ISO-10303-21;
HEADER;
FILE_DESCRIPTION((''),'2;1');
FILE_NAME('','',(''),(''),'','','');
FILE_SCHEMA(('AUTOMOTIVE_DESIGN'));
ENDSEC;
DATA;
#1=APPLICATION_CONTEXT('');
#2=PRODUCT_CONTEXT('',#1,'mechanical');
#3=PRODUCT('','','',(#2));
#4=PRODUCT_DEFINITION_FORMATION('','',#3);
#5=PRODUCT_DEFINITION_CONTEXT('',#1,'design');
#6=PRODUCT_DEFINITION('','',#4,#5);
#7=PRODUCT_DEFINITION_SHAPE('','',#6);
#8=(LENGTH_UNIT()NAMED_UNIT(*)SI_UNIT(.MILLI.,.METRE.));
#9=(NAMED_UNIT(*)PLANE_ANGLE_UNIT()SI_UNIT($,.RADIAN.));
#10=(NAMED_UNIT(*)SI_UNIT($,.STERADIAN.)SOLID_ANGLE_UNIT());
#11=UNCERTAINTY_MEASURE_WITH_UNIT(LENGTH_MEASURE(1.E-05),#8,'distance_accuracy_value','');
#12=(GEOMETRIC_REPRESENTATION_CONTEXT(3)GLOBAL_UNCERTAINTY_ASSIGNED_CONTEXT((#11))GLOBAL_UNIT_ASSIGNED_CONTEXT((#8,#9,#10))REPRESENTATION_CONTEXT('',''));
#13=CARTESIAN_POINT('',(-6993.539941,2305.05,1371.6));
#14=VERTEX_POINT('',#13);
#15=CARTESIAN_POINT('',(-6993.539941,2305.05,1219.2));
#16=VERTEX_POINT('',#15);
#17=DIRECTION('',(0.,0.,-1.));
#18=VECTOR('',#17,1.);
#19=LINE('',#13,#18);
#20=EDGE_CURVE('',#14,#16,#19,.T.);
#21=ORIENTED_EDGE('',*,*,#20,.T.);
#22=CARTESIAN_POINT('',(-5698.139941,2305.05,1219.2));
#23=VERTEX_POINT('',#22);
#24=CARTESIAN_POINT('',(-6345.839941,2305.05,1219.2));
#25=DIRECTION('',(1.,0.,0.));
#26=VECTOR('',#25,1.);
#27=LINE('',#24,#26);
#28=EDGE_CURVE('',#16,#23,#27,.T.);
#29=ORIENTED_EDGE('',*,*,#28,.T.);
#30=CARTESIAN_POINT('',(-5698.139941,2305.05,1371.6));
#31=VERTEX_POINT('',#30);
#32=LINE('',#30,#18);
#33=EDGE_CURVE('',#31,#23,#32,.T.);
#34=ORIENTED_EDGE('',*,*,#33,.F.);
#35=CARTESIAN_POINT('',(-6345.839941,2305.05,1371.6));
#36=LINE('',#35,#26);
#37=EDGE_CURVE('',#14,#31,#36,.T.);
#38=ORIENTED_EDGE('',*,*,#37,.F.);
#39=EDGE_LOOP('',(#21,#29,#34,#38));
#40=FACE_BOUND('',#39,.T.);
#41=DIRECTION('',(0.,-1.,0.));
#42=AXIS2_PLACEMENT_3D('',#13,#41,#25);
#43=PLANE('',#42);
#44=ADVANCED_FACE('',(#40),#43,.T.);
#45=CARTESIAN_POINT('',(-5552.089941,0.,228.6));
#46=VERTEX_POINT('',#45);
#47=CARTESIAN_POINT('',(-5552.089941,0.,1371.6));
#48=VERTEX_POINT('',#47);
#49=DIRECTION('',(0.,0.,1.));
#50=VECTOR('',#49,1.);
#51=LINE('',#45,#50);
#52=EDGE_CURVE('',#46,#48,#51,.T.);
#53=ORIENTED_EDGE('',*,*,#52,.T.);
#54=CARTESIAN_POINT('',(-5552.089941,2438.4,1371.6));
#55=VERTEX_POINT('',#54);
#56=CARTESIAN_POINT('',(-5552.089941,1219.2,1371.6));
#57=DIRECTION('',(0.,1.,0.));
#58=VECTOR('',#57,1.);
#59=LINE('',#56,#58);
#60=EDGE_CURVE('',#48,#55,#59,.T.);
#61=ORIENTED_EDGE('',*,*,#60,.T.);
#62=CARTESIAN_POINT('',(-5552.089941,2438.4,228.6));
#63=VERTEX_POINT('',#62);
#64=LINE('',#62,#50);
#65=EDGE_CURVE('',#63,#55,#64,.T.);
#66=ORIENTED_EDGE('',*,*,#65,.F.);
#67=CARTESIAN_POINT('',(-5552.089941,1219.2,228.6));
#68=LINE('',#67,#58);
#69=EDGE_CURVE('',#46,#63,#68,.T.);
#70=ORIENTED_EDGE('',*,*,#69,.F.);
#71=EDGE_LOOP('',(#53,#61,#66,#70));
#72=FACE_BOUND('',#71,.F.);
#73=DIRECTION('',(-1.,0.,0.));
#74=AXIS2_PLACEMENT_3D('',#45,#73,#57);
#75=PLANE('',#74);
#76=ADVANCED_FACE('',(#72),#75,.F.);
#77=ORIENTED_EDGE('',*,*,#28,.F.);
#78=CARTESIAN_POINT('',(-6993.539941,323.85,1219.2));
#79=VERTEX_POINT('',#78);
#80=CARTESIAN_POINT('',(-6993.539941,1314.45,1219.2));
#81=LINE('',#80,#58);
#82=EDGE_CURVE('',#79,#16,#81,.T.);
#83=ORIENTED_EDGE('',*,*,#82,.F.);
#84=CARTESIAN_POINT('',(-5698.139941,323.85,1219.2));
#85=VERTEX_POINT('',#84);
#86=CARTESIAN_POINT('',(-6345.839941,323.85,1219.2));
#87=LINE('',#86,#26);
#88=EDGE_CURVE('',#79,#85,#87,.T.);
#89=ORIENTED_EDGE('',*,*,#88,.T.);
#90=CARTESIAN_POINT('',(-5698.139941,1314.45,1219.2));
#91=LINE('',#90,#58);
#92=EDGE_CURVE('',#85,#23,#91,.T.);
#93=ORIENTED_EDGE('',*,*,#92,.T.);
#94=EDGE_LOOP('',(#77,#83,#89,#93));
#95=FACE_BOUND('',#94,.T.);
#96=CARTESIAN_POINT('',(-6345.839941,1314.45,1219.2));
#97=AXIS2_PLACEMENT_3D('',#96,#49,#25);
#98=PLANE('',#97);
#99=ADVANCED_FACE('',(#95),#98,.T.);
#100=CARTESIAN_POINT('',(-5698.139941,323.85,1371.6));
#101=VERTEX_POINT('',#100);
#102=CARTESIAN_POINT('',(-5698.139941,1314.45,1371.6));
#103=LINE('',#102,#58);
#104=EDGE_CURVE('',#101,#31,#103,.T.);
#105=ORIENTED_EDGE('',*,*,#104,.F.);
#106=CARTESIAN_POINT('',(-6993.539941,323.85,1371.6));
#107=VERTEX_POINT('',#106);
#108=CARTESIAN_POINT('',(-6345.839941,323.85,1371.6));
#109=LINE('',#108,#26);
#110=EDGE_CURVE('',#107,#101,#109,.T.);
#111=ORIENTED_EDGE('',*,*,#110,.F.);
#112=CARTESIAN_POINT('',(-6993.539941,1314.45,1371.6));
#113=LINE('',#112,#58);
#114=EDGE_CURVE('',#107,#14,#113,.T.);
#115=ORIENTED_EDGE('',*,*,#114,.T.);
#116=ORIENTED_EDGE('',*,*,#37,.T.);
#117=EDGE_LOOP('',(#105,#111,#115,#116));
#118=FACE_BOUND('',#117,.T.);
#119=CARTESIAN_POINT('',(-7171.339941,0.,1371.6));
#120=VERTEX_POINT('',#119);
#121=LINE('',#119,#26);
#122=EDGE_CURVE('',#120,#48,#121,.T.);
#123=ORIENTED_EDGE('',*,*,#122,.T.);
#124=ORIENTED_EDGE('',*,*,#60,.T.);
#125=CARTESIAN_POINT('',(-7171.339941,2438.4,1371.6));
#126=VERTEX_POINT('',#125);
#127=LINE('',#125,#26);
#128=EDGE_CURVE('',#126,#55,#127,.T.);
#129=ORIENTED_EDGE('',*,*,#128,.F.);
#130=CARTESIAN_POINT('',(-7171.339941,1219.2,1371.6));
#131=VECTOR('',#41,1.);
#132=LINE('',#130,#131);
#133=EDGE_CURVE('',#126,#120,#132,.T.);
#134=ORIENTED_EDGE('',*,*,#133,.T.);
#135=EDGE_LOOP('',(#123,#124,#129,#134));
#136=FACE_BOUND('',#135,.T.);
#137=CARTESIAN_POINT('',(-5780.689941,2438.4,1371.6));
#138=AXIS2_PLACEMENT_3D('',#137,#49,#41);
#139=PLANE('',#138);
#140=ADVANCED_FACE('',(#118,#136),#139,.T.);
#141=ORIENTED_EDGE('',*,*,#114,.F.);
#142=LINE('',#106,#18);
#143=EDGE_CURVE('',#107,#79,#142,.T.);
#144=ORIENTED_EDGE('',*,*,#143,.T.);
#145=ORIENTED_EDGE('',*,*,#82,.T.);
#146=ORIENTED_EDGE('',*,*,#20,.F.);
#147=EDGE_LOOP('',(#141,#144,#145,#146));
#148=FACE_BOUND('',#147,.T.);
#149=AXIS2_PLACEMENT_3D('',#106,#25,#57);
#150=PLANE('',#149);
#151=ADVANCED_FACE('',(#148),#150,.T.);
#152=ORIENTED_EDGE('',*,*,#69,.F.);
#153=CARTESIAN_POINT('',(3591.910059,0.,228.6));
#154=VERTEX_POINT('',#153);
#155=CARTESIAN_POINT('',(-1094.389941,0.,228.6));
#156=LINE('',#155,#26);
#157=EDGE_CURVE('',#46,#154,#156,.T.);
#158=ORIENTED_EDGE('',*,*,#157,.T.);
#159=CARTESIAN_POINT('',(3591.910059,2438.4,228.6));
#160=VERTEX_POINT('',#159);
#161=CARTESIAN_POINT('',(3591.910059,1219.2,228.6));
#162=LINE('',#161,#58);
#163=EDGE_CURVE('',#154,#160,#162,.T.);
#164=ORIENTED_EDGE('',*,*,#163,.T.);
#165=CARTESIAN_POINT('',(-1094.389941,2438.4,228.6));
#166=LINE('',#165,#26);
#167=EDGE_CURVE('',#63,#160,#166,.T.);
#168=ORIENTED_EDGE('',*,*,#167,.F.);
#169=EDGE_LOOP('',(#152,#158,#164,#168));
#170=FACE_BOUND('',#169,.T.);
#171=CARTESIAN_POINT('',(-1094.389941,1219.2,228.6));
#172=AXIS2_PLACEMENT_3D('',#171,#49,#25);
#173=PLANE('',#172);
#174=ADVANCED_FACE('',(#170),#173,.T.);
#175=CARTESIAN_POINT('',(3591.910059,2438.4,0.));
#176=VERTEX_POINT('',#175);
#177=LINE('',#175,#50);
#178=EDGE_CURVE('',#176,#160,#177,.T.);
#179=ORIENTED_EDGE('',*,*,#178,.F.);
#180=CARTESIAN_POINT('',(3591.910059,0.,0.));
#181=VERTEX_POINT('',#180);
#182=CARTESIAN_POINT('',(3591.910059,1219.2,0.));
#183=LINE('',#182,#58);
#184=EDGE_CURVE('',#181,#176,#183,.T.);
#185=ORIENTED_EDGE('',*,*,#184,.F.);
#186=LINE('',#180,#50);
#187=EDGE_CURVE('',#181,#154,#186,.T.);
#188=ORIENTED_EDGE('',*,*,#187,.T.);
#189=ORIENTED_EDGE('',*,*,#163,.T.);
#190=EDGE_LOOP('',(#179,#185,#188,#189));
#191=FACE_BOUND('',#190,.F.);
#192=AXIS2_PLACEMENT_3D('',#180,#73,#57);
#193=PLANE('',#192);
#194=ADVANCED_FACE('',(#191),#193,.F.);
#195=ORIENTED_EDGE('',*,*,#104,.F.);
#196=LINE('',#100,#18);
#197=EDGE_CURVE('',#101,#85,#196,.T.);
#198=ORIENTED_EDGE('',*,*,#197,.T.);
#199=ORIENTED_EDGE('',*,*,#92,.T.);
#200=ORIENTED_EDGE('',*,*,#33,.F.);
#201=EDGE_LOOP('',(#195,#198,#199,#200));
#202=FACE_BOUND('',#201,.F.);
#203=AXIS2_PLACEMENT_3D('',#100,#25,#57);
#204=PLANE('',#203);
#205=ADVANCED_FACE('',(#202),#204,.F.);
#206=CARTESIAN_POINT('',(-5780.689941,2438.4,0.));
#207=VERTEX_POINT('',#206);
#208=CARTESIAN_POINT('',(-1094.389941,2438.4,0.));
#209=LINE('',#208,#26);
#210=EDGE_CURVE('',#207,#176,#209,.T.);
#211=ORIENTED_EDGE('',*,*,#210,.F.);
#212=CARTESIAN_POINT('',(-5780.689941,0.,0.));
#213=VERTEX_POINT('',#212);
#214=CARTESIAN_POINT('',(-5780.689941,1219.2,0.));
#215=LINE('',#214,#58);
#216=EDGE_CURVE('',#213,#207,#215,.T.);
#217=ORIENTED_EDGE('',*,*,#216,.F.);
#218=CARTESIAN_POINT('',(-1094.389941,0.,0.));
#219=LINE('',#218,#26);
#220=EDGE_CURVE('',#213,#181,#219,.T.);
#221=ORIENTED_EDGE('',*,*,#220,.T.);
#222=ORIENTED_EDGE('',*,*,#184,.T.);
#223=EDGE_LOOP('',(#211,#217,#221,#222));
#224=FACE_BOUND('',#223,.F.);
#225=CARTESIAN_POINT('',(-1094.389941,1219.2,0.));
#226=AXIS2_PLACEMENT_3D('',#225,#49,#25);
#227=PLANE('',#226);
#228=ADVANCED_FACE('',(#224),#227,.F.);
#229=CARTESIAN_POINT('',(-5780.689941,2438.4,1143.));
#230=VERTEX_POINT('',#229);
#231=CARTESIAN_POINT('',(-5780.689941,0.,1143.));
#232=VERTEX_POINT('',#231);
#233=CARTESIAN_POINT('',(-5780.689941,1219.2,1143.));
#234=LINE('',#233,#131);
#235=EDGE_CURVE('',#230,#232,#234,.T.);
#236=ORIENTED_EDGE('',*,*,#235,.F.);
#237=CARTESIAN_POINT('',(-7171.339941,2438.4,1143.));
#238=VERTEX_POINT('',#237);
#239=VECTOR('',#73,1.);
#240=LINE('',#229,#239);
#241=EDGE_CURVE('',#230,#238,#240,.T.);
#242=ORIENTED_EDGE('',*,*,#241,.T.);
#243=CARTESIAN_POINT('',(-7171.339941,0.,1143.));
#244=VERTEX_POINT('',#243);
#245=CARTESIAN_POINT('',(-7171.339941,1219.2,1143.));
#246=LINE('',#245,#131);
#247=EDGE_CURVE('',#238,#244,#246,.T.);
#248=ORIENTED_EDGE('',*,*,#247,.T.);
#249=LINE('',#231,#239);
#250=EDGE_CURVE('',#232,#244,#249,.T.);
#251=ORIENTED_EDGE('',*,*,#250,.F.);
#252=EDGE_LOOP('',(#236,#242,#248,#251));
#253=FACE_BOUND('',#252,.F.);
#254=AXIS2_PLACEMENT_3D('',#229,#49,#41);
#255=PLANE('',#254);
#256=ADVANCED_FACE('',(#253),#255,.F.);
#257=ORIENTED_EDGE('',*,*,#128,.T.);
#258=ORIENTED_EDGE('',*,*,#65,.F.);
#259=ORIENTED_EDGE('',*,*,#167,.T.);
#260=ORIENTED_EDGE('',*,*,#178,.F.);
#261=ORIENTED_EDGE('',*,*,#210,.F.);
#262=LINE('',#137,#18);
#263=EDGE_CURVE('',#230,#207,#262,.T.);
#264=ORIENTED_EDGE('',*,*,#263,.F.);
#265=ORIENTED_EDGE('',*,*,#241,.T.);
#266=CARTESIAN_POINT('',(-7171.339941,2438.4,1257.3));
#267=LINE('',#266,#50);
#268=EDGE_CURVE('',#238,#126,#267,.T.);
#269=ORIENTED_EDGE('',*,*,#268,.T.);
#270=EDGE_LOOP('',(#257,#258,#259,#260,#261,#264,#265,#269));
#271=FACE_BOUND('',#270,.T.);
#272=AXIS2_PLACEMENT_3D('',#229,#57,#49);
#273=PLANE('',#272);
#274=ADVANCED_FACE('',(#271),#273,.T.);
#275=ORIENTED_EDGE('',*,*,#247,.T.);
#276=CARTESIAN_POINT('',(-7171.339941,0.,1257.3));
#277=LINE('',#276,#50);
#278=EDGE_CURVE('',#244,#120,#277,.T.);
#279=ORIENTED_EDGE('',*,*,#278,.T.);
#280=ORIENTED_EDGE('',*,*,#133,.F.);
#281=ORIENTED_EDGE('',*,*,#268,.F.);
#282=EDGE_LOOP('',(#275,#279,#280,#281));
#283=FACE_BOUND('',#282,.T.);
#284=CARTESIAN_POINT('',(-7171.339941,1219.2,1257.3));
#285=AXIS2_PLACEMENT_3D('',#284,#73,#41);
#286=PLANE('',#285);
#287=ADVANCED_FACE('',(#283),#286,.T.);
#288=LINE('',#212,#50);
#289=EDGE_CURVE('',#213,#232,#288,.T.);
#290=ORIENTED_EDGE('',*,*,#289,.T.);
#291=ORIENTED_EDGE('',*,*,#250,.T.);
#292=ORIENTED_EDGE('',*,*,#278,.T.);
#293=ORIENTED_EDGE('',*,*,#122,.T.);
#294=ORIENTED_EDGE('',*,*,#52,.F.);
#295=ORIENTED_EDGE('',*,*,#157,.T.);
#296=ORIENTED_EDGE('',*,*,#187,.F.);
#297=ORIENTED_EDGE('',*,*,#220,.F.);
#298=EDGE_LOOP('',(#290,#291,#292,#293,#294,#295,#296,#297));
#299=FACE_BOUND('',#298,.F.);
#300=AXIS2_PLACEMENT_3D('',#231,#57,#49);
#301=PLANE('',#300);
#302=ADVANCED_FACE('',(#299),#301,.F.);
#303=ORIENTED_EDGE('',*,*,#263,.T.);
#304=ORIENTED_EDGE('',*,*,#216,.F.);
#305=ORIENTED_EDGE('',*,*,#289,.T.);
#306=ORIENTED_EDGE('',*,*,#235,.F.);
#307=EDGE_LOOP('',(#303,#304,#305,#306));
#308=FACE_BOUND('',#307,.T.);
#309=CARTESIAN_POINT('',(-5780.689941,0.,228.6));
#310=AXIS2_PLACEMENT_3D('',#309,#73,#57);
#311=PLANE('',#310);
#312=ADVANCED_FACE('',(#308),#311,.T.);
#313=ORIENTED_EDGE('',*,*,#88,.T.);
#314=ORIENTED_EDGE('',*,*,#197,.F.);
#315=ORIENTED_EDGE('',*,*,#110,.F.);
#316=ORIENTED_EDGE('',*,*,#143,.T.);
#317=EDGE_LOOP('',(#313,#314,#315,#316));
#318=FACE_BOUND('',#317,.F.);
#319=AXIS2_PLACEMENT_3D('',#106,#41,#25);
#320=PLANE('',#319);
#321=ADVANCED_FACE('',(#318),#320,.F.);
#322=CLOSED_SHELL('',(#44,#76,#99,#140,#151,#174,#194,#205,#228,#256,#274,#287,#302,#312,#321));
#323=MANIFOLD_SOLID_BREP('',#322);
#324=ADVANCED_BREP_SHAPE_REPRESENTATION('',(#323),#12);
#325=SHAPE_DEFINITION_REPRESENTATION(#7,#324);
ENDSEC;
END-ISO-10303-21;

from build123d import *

# Parameters (mm, degrees)
F0_W     = 9372.6
F0_H     = 2438.4
F1_DEPTH = 228.6
F2_W     = 228.6
F2_H     = 2438.4
F3_DEPTH = 1143
F4_W     = 2438.4
F4_H     = 228.6
F5_DEPTH = 1390.65
F6_W     = 1295.4
F6_H     = 1981.2
F7_DEPTH = 152.4


with BuildPart() as f1:
    # F0 (on Top) → F1 (new body)
    with BuildSketch(Plane.XY):
        with Locations((-1094.389941, 1219.2)):
            Rectangle(F0_W, F0_H)
    extrude(amount=F1_DEPTH)

    # F2 (on face) → F3 (join)
    with BuildSketch(Plane.XY.offset(228.6)):
        with Locations((-5666.389941, 1219.2)):
            Rectangle(F2_W, F2_H)
    extrude(amount=F3_DEPTH)

    # F4 (on face) → F5 (join)
    with BuildSketch(Plane(origin=(-5780.689941, 0, 0), x_dir=(0, -1, 0), z_dir=(-1, 0, 0))):
        with Locations((-1219.2, 1257.3)):
            Rectangle(F4_W, F4_H)
    extrude(amount=F5_DEPTH)

    # F6 (on face) → F7 (cut)
    with BuildSketch(Plane.XY.offset(1371.6)):
        with Locations((-6345.839941, 1314.45)):
            Rectangle(F6_W, F6_H)
    extrude(amount=-F7_DEPTH, mode=Mode.SUBTRACT)


solid = f1.part
